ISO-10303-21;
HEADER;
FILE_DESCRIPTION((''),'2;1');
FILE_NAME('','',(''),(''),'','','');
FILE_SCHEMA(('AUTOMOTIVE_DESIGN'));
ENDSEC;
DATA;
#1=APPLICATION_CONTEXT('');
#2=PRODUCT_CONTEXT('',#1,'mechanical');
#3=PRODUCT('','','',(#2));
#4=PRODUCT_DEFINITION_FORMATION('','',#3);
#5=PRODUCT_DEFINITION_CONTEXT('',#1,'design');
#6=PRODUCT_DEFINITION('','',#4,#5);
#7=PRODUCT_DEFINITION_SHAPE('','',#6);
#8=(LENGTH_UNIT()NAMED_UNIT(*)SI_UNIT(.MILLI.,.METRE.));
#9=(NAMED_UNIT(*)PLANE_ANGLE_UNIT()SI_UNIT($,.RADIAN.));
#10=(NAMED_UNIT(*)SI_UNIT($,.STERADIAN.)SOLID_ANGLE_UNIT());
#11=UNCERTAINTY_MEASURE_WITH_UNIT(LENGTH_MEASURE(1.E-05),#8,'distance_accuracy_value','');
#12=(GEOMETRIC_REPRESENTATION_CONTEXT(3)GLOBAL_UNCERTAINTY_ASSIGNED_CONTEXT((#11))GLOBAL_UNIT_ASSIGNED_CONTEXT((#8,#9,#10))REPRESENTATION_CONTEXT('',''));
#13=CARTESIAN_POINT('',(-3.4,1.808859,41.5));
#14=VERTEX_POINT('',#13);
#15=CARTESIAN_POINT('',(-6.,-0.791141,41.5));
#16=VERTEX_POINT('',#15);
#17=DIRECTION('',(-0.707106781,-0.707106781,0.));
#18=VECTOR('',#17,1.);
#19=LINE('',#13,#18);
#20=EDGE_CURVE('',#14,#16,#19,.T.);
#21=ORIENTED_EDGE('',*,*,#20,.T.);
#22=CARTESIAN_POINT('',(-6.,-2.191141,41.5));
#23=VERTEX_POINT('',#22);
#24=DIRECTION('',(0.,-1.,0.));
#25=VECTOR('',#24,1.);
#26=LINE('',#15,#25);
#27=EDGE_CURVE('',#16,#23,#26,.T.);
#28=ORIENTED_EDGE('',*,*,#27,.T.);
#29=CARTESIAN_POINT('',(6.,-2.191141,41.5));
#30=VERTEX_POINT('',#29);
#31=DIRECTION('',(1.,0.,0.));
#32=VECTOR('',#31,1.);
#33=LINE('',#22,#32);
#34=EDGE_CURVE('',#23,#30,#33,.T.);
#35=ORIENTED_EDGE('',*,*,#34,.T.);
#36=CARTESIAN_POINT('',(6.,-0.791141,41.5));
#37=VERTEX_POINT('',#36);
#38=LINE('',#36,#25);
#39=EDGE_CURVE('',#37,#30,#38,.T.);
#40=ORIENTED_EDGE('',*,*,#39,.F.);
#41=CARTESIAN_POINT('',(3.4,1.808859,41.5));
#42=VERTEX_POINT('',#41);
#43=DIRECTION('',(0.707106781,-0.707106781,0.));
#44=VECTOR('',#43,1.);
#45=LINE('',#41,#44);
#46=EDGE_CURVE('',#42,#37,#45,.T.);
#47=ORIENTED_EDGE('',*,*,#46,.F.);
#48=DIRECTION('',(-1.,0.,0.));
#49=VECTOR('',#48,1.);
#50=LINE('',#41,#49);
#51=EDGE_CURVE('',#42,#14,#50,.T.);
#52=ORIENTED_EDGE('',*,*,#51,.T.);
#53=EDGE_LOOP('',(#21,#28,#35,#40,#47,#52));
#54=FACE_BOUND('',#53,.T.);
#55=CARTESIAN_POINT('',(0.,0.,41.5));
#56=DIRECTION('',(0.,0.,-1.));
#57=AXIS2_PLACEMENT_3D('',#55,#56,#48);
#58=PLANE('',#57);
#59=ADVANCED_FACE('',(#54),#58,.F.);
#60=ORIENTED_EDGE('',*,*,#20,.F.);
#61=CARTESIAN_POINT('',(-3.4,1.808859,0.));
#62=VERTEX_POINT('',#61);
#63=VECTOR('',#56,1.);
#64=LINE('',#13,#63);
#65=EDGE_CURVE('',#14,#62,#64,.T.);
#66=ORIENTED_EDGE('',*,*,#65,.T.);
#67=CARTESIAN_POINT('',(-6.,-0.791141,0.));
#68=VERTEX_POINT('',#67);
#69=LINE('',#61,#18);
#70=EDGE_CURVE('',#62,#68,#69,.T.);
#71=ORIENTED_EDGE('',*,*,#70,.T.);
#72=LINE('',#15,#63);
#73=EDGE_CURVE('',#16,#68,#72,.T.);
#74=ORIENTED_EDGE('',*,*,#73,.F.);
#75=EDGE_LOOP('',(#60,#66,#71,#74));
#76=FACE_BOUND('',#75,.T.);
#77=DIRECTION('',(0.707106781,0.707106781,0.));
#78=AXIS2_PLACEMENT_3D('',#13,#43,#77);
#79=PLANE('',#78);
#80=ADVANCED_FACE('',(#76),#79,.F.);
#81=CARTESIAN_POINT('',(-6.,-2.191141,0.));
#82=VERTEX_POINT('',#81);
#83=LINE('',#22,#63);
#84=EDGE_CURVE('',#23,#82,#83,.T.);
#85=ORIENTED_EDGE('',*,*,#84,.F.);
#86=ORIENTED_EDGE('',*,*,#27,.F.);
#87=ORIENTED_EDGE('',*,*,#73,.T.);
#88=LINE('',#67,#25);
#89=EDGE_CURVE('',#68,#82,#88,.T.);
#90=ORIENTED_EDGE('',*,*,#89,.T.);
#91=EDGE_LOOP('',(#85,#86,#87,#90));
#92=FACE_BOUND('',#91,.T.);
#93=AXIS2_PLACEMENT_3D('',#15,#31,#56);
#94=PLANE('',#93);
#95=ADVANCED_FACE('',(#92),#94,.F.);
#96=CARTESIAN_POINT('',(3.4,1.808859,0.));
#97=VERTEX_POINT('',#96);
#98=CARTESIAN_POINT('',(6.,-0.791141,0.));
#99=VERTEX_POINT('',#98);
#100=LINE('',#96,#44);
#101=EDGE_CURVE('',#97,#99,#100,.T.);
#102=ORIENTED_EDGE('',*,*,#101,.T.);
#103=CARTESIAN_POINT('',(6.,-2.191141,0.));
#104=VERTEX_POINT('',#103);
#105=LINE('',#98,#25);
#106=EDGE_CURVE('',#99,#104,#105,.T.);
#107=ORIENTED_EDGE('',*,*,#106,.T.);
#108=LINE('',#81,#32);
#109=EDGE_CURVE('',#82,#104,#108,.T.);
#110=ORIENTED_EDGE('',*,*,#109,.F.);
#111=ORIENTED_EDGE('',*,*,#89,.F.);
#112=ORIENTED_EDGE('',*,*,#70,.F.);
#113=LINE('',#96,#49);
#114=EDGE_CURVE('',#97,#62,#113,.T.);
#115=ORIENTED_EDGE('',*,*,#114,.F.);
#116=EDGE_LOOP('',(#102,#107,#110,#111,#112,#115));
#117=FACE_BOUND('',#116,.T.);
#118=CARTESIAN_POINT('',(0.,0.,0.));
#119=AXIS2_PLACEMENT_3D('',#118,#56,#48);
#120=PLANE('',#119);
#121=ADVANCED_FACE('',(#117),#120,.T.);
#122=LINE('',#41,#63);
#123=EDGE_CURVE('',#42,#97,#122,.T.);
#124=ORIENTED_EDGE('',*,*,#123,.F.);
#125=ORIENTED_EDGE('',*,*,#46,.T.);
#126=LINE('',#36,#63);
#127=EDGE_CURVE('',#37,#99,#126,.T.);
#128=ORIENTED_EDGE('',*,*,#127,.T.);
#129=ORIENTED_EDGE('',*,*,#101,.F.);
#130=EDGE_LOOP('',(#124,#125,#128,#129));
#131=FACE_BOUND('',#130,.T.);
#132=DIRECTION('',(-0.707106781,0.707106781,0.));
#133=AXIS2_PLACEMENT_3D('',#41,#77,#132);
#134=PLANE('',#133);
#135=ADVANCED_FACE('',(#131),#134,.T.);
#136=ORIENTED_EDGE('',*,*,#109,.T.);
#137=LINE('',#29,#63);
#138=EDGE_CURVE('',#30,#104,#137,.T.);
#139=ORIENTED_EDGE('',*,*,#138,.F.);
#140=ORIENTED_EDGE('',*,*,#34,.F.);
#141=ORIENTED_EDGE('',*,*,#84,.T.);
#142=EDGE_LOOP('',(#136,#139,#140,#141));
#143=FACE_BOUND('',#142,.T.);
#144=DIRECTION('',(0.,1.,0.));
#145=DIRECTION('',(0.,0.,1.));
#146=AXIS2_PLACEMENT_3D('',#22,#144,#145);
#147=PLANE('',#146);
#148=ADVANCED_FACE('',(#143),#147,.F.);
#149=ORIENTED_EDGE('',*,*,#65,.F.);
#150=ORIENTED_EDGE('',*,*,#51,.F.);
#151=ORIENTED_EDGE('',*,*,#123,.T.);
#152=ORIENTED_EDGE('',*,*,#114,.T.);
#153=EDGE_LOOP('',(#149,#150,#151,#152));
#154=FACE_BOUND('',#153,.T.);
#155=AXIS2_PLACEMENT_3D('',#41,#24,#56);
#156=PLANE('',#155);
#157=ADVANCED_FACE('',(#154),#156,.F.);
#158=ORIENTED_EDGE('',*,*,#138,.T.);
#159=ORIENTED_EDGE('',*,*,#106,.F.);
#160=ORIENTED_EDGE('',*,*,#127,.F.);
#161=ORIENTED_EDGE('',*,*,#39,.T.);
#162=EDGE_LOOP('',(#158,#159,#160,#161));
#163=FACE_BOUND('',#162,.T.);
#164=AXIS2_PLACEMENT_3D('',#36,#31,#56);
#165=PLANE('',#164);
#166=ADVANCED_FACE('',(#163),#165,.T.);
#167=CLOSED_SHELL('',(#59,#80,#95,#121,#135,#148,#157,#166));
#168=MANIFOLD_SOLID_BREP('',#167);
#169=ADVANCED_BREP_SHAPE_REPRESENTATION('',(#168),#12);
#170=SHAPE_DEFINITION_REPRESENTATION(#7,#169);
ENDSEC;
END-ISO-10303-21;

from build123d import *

# Parameters (mm, degrees)
AUFSATZ_LINEAR_AUSTRAGEN1_DEPTH = 41.5


with BuildPart() as part:
    # Skizze1 → Aufsatz-Linear austragen1 (new body)
    with BuildSketch(Plane.XY):
        Polygon((3.4, 1.808858787), (-3.4, 1.808858787), (-6, -0.791141213), (-6, -2.191141213), (6, -2.191141213), (6, -0.791141213), align=None)
    extrude(amount=AUFSATZ_LINEAR_AUSTRAGEN1_DEPTH)


solid = part.part
